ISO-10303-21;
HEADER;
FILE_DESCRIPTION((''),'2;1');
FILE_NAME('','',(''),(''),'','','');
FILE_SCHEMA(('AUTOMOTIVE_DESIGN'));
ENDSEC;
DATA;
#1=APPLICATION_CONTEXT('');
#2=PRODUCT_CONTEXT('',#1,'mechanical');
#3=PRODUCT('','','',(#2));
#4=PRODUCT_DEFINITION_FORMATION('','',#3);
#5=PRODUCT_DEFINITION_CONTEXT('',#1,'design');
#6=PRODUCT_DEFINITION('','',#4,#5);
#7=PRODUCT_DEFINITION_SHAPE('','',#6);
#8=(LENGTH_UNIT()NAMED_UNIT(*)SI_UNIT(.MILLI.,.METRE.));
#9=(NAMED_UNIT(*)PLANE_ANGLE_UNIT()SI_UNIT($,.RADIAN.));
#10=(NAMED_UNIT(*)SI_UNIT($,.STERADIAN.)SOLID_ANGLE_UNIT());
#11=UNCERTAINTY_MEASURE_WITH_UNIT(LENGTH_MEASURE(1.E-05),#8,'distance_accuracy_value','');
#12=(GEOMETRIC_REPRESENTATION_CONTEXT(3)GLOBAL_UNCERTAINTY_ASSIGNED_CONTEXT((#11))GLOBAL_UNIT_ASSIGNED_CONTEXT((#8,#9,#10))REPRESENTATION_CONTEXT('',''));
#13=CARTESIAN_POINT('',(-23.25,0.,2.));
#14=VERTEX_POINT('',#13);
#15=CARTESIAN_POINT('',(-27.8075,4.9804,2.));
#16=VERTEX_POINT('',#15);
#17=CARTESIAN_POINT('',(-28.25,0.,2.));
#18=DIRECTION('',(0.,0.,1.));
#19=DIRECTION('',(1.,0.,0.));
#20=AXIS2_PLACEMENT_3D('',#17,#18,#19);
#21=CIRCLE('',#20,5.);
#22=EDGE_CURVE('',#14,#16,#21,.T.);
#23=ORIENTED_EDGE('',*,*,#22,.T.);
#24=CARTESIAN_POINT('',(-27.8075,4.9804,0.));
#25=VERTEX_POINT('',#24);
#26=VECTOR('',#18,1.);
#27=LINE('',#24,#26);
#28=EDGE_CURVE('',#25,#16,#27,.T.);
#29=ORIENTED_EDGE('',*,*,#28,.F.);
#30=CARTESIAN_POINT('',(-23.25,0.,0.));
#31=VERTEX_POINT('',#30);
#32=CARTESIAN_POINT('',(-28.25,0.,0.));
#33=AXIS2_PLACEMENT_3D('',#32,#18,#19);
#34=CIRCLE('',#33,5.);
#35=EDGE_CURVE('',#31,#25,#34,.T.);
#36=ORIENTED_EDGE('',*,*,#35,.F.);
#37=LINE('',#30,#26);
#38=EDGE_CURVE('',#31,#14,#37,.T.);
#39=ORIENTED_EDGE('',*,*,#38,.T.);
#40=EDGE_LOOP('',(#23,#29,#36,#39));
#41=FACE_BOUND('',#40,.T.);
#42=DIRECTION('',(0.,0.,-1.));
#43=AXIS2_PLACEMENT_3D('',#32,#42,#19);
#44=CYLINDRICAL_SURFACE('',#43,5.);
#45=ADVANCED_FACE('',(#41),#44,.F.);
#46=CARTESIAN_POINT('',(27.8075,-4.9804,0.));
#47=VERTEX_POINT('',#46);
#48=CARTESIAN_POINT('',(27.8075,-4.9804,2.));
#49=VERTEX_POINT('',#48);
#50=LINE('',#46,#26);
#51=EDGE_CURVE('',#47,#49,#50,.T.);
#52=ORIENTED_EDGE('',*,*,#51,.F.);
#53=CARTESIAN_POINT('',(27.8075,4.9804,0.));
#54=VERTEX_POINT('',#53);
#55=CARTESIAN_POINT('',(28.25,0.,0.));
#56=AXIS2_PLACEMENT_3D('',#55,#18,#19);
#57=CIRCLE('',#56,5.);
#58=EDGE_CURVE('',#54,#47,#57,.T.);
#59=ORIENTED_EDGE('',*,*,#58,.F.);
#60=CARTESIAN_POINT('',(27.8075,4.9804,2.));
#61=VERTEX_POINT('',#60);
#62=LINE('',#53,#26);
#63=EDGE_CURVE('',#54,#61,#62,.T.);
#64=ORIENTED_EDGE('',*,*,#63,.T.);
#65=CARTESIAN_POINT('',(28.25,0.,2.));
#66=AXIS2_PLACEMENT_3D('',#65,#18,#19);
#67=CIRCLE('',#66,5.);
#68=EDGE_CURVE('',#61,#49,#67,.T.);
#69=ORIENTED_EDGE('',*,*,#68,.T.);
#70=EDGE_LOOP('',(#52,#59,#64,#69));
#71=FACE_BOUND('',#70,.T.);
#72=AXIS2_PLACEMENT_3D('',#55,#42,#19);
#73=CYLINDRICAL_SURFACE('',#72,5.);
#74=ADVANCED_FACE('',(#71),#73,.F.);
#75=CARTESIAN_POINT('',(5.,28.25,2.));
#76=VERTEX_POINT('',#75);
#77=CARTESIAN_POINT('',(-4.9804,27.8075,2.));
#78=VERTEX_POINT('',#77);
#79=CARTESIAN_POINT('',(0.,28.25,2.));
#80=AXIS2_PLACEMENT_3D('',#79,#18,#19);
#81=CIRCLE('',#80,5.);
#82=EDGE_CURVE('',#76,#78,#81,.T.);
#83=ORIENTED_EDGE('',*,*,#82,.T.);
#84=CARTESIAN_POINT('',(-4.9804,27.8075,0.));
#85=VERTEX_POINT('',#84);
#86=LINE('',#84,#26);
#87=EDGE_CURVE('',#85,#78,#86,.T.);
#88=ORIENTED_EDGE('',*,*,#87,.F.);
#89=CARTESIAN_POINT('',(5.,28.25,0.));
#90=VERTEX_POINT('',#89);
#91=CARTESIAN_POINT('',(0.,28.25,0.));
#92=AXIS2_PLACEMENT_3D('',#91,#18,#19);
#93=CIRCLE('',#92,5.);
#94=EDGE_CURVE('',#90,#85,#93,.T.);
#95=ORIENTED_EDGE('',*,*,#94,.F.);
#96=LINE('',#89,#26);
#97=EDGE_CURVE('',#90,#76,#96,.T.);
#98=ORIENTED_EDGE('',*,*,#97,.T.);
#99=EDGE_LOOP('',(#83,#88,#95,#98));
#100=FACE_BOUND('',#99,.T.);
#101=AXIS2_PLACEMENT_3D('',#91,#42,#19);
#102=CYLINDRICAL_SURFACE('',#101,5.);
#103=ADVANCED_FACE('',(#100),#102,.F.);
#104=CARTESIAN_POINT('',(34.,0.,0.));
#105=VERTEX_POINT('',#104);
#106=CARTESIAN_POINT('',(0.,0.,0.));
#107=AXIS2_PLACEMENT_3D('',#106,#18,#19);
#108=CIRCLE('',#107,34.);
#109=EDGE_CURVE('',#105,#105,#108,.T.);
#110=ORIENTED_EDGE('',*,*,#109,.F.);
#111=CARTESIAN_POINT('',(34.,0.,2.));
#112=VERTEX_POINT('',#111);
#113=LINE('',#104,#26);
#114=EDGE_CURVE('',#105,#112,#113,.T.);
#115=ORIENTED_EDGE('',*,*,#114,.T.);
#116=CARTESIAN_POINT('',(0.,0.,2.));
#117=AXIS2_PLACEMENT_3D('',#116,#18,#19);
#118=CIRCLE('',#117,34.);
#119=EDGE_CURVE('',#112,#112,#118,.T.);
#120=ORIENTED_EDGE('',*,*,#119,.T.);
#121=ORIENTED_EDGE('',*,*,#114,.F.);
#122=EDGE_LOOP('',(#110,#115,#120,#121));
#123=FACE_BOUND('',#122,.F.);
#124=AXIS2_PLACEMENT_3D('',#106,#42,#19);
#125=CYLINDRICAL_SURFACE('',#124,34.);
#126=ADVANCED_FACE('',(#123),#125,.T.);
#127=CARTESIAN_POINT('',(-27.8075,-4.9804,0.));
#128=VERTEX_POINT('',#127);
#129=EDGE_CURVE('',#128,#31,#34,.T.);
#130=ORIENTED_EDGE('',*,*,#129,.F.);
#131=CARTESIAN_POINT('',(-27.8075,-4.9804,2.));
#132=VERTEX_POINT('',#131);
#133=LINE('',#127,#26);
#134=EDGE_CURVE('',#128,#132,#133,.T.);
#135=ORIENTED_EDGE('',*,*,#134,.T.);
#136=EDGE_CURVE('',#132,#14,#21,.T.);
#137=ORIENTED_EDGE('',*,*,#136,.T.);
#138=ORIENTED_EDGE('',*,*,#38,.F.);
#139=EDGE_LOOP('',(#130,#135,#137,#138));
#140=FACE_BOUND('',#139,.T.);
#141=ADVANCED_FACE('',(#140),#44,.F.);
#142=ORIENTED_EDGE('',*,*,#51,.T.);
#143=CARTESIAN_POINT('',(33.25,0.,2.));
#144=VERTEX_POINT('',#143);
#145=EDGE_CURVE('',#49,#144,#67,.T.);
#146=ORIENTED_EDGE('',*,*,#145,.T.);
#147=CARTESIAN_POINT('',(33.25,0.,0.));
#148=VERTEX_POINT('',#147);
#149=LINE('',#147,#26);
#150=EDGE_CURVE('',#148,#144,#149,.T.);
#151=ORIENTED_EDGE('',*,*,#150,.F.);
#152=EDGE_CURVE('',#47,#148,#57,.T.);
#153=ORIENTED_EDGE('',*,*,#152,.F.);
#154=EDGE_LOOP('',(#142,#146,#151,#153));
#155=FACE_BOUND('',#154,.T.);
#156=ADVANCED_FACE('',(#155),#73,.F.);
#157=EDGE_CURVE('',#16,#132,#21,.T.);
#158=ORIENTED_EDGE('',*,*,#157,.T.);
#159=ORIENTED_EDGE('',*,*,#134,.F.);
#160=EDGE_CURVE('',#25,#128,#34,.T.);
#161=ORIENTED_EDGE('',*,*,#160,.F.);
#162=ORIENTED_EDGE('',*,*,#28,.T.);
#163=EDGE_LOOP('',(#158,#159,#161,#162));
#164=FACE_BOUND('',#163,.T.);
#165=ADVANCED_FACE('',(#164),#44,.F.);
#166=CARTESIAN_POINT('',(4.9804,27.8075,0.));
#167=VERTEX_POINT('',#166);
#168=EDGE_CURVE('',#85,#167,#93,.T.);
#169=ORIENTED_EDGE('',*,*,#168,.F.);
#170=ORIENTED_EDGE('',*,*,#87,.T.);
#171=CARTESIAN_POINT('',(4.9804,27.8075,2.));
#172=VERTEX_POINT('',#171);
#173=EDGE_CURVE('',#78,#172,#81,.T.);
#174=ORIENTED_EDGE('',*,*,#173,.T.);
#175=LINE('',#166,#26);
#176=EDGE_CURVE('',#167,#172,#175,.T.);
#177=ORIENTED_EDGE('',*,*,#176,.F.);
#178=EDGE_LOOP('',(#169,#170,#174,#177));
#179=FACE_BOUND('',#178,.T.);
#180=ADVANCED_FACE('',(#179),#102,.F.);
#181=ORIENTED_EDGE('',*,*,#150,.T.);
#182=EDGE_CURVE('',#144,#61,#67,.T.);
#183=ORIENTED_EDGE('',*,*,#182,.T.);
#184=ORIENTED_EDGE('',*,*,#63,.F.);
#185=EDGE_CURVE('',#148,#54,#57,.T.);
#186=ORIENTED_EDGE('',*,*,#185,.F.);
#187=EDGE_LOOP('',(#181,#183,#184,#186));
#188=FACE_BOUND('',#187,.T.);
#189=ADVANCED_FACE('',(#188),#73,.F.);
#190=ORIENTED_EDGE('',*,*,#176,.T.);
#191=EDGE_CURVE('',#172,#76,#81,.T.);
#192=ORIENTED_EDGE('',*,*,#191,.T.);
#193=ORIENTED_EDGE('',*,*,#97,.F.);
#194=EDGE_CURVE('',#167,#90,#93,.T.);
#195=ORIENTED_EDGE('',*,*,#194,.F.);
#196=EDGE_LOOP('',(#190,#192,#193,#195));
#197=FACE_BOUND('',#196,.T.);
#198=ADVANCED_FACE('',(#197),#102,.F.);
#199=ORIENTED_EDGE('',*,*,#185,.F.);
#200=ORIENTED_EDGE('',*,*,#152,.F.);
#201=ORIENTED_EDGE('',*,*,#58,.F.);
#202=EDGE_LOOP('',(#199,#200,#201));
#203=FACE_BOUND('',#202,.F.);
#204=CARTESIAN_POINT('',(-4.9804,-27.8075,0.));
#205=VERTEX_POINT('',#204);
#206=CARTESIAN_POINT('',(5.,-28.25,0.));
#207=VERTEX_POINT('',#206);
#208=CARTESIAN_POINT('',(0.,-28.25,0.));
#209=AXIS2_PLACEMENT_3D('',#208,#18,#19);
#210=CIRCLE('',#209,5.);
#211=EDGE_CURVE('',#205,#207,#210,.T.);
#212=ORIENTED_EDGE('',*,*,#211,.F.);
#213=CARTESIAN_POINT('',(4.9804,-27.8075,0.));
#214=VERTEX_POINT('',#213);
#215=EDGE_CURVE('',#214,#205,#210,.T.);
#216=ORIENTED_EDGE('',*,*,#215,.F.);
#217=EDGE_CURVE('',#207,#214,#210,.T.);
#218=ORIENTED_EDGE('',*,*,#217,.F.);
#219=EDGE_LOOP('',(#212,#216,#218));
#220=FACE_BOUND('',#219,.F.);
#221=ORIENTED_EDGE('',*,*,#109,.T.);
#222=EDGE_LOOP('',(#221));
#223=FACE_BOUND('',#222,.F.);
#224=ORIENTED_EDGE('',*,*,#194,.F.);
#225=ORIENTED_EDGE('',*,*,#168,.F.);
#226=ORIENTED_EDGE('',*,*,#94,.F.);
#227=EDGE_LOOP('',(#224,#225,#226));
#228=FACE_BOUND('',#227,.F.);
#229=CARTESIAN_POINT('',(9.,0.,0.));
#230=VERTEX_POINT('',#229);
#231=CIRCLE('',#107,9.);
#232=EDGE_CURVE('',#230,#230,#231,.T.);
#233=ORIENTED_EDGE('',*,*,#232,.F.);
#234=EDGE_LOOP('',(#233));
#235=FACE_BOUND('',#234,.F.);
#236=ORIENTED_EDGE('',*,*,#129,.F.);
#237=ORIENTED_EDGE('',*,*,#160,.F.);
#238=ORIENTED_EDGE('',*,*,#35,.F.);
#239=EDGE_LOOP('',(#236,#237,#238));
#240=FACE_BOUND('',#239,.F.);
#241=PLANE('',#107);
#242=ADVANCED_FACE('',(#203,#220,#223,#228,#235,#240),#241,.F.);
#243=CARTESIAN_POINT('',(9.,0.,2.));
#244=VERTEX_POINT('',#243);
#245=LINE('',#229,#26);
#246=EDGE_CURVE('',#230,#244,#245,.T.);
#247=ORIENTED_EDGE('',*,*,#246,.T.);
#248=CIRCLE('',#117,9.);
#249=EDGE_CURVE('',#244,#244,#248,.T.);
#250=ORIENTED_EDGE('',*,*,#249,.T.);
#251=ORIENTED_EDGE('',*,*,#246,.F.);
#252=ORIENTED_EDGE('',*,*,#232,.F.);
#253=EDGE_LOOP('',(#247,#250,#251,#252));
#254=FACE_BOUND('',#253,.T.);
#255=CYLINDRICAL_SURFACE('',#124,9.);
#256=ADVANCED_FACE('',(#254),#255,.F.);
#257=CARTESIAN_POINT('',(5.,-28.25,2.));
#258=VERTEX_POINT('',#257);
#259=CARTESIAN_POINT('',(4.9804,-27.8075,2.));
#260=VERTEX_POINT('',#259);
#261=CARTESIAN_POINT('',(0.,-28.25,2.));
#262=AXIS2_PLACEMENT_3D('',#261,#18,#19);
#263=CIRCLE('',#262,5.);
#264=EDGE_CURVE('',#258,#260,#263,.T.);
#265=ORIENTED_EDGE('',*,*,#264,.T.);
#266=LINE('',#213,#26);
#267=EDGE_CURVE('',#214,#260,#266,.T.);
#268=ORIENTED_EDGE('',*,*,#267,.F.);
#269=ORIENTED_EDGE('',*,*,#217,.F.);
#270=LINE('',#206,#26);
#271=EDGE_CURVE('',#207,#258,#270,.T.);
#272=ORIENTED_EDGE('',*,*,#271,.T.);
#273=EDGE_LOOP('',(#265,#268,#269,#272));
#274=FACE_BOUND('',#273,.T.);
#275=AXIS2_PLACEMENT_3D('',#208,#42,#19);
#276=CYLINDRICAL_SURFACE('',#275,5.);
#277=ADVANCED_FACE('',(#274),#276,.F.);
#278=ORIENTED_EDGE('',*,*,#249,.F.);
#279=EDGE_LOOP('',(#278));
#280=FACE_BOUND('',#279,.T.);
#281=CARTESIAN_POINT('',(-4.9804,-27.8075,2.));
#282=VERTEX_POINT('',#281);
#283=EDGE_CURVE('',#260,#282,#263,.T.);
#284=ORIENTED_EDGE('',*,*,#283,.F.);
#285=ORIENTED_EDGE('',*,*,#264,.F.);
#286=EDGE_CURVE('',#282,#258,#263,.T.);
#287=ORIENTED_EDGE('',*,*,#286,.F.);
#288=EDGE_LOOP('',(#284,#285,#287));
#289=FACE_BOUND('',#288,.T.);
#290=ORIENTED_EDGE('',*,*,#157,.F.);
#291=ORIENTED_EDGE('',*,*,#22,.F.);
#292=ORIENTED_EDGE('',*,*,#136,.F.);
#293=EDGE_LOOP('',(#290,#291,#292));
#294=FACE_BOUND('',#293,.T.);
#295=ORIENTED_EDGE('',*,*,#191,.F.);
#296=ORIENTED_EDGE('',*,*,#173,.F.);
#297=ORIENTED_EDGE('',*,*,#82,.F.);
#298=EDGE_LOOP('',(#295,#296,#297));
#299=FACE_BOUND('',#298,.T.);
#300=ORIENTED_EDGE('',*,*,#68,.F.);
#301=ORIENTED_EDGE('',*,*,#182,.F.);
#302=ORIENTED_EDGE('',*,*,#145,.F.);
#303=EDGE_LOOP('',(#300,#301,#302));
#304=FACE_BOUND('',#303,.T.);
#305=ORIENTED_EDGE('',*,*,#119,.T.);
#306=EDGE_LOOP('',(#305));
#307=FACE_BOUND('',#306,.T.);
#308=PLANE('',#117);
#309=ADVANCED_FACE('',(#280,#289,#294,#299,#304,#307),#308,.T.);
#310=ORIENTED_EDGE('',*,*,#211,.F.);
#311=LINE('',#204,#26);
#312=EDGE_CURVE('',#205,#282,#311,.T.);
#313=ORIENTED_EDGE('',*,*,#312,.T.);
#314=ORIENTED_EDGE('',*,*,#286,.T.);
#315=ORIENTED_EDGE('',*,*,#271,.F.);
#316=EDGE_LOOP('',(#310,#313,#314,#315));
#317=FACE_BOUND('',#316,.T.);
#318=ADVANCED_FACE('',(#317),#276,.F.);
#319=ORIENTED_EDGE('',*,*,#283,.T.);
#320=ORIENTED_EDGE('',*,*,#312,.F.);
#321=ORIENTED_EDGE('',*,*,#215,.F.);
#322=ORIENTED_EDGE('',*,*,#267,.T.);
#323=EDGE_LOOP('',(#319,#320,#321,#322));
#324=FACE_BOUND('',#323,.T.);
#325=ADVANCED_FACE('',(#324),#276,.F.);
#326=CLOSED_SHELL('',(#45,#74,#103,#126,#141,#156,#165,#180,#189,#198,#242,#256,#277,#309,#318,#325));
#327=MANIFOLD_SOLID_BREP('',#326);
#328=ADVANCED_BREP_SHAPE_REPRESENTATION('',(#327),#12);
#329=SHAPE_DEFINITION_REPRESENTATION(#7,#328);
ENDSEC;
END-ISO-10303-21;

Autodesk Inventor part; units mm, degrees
ref_plane "YZ Plane" through (0, 0, 0) normal (1, 0, 0) x (0, 1, 0)
ref_plane "XZ Plane" through (0, 0, 0) normal (0, 1, 0) x (-1, 0, 0)
ref_plane "XY Plane" through (0, 0, 0) normal (0, 0, 1) x (1, 0, 0)
sketch "Sketch1" plane through (0, 0, 0) normal (0, 0, 1) x (1, 0, 0)
  circle A0 centre (0, 0) radius 34
  circle A1 centre (0, 0) radius 9
  circle A2 centre (0, 28.25) radius 5
  circle A3 centre (-28.25, 0) radius 5
  circle A4 centre (0, -28.25) radius 5
  circle A5 centre (28.25, 0) radius 5
  arc A6 (4.9804, 27.8075) -> (-4.9804, 27.8075) centre (0, 0) ccw
  arc A7 (27.8075, -4.9804) -> (27.8075, 4.9804) centre (0, 0) ccw
  arc A8 (-27.8075, 4.9804) -> (-27.8075, -4.9804) centre (0, 0) ccw
  arc A9 (-4.9804, -27.8075) -> (4.9804, -27.8075) centre (0, 0) ccw
  dimension "d0" = 68
  dimension "d1" = 18
  dimension "d3" = 10
  dimension "d6" = 360
extrude "Extrusion1" add sketch "Sketch1" along normal blind 2
properties part number "Black Rubber Pad Bottom"
